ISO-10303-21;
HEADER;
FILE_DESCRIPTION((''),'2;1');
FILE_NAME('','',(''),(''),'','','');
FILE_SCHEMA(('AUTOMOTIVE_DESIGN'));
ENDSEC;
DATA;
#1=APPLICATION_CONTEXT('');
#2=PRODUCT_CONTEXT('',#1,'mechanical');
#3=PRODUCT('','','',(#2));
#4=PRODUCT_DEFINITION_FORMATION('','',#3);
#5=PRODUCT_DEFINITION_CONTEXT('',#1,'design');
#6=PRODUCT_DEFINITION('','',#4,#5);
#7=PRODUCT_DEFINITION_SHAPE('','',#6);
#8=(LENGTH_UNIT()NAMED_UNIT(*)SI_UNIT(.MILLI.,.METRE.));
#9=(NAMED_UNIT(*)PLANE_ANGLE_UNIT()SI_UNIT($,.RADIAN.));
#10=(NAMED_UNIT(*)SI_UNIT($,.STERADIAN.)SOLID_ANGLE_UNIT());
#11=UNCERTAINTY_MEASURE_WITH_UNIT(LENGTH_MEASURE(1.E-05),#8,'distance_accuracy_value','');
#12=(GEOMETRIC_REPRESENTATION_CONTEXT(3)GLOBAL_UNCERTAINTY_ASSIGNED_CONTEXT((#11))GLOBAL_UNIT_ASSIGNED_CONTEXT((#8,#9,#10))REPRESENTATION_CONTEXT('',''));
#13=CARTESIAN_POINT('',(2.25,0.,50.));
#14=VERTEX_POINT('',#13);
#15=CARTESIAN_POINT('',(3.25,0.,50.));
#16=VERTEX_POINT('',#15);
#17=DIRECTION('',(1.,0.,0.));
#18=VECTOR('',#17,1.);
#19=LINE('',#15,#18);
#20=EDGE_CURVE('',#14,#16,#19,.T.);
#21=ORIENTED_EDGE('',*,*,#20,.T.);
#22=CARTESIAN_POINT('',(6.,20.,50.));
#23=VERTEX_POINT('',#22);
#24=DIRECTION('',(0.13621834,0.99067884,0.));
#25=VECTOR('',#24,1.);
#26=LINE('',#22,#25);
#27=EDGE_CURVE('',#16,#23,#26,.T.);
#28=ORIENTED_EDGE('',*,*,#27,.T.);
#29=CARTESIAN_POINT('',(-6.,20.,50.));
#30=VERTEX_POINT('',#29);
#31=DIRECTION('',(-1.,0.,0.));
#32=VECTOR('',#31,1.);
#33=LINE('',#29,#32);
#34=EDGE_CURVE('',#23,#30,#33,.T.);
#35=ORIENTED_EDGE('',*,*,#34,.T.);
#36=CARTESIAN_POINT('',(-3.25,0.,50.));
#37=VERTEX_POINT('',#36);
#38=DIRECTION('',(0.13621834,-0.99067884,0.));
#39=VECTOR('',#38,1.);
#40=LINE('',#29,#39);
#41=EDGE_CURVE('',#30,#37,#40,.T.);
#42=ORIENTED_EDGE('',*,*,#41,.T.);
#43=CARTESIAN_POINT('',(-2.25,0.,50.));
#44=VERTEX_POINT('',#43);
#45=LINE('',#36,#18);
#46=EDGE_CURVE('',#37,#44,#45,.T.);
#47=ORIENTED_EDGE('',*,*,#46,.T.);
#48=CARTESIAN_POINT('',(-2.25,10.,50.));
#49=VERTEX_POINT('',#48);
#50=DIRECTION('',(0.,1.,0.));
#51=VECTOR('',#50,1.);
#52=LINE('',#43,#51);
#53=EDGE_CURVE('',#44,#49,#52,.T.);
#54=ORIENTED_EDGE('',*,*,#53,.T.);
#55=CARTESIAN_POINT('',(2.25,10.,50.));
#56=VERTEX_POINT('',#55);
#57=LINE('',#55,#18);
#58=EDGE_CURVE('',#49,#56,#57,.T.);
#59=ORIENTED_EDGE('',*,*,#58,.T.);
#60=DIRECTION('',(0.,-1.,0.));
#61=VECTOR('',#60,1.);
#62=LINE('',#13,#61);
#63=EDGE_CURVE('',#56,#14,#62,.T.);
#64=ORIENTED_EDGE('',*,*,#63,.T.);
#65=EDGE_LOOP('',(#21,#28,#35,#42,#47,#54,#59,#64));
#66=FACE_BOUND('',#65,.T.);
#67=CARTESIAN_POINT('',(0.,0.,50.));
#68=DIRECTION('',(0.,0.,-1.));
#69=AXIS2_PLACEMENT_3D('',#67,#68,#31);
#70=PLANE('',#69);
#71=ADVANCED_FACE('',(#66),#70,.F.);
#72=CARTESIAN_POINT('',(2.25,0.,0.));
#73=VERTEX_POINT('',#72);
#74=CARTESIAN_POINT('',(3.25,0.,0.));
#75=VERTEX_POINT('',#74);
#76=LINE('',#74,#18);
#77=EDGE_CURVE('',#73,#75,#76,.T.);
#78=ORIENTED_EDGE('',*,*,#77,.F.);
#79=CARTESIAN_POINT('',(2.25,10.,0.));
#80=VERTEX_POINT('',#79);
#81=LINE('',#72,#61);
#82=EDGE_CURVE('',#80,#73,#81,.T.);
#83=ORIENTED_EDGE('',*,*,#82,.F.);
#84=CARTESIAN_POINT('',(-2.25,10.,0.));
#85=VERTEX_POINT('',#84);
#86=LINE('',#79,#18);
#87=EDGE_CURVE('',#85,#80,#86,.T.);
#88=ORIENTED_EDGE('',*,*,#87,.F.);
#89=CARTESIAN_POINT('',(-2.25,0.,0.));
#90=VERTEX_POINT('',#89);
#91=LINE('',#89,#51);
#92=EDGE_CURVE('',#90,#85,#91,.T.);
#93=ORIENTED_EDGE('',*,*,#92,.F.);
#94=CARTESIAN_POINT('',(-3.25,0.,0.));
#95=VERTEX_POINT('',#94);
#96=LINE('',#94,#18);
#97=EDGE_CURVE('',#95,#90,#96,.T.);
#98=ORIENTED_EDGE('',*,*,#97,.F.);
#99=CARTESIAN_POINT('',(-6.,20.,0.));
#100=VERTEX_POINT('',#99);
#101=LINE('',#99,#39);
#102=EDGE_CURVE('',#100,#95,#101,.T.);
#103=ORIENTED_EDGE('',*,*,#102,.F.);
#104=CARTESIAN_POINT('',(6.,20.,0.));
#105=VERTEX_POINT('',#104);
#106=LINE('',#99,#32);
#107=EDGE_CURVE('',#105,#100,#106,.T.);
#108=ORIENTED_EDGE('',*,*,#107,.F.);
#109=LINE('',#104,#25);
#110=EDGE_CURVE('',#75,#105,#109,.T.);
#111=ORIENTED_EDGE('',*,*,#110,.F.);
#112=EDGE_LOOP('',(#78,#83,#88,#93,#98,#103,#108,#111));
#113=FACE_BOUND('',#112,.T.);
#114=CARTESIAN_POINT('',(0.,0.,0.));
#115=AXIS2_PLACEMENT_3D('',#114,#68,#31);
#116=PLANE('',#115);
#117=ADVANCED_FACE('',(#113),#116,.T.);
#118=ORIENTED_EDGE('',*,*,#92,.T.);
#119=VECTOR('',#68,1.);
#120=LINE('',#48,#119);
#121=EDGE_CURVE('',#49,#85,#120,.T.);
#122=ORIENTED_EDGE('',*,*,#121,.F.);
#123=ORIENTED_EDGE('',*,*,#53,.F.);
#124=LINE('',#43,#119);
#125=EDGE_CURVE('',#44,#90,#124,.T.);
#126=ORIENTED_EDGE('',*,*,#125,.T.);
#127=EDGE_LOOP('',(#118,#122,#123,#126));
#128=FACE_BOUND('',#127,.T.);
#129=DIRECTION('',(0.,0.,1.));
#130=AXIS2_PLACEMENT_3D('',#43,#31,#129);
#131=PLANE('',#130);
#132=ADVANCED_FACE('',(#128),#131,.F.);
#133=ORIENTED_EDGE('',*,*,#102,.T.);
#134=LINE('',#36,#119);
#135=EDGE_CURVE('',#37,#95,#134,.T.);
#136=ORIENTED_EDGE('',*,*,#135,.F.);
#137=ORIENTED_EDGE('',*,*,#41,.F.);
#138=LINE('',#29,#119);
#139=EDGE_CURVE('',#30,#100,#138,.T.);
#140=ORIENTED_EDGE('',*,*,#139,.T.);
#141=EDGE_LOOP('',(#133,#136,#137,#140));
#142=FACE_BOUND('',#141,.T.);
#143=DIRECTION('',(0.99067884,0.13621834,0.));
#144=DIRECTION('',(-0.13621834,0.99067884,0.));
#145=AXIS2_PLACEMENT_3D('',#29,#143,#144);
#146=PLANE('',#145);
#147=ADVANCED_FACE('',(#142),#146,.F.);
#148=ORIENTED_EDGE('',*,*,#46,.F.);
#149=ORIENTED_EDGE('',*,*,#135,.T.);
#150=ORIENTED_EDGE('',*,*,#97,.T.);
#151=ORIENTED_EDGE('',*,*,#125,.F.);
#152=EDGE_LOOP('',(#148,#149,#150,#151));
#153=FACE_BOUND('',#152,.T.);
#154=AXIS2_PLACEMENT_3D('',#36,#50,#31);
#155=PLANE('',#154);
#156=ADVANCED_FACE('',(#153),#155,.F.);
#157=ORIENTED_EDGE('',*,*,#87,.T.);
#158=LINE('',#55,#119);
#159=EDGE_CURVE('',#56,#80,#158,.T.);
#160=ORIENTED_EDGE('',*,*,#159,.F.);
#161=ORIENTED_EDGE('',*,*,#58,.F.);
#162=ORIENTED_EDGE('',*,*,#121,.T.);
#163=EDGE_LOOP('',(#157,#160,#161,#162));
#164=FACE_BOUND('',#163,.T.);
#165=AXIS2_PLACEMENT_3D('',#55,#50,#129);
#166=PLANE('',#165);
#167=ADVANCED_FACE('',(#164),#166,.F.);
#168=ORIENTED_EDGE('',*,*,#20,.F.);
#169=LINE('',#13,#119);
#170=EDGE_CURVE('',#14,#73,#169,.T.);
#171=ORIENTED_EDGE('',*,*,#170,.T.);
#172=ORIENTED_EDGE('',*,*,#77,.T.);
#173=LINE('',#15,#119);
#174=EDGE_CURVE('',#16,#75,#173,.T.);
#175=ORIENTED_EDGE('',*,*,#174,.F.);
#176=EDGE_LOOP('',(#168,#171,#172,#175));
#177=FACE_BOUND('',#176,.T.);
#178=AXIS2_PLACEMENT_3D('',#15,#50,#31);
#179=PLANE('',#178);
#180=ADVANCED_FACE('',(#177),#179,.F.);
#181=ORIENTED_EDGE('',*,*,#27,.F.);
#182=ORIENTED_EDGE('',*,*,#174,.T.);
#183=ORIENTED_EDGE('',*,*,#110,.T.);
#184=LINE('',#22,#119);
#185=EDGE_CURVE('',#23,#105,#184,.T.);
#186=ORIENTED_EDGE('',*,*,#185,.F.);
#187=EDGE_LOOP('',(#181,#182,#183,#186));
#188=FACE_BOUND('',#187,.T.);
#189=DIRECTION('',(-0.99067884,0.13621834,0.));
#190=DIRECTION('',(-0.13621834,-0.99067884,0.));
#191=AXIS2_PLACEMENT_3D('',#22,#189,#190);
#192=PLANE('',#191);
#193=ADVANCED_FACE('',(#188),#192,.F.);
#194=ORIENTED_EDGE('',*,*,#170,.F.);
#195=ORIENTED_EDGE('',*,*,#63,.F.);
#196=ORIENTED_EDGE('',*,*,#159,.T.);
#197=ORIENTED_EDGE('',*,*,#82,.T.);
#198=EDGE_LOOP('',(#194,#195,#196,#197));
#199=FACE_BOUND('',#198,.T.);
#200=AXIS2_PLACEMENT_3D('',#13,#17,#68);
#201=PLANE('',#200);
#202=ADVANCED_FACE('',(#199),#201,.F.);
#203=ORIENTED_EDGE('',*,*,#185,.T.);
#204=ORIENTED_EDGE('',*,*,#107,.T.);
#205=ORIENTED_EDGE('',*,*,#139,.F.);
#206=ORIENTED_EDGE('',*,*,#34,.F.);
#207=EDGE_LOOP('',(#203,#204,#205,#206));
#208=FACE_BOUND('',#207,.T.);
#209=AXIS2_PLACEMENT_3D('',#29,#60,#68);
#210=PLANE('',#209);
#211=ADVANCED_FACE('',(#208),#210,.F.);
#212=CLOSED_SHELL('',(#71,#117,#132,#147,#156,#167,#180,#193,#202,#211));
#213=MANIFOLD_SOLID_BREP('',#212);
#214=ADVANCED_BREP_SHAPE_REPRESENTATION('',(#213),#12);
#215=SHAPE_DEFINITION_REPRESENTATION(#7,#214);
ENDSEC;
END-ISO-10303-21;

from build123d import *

# Parameters (mm, degrees)
BOSS_EXTRUDE1_DEPTH = 50


with BuildPart() as part:
    # Sketch1 → Boss-Extrude1 (new body)
    with BuildSketch(Plane.XY):
        Polygon((-6, 20), (6, 20), (3.25, 0), (2.25, 0), (2.25, 10), (-2.25, 10), (-2.25, 0), (-3.25, 0), align=None)
    extrude(amount=BOSS_EXTRUDE1_DEPTH)


solid = part.part
